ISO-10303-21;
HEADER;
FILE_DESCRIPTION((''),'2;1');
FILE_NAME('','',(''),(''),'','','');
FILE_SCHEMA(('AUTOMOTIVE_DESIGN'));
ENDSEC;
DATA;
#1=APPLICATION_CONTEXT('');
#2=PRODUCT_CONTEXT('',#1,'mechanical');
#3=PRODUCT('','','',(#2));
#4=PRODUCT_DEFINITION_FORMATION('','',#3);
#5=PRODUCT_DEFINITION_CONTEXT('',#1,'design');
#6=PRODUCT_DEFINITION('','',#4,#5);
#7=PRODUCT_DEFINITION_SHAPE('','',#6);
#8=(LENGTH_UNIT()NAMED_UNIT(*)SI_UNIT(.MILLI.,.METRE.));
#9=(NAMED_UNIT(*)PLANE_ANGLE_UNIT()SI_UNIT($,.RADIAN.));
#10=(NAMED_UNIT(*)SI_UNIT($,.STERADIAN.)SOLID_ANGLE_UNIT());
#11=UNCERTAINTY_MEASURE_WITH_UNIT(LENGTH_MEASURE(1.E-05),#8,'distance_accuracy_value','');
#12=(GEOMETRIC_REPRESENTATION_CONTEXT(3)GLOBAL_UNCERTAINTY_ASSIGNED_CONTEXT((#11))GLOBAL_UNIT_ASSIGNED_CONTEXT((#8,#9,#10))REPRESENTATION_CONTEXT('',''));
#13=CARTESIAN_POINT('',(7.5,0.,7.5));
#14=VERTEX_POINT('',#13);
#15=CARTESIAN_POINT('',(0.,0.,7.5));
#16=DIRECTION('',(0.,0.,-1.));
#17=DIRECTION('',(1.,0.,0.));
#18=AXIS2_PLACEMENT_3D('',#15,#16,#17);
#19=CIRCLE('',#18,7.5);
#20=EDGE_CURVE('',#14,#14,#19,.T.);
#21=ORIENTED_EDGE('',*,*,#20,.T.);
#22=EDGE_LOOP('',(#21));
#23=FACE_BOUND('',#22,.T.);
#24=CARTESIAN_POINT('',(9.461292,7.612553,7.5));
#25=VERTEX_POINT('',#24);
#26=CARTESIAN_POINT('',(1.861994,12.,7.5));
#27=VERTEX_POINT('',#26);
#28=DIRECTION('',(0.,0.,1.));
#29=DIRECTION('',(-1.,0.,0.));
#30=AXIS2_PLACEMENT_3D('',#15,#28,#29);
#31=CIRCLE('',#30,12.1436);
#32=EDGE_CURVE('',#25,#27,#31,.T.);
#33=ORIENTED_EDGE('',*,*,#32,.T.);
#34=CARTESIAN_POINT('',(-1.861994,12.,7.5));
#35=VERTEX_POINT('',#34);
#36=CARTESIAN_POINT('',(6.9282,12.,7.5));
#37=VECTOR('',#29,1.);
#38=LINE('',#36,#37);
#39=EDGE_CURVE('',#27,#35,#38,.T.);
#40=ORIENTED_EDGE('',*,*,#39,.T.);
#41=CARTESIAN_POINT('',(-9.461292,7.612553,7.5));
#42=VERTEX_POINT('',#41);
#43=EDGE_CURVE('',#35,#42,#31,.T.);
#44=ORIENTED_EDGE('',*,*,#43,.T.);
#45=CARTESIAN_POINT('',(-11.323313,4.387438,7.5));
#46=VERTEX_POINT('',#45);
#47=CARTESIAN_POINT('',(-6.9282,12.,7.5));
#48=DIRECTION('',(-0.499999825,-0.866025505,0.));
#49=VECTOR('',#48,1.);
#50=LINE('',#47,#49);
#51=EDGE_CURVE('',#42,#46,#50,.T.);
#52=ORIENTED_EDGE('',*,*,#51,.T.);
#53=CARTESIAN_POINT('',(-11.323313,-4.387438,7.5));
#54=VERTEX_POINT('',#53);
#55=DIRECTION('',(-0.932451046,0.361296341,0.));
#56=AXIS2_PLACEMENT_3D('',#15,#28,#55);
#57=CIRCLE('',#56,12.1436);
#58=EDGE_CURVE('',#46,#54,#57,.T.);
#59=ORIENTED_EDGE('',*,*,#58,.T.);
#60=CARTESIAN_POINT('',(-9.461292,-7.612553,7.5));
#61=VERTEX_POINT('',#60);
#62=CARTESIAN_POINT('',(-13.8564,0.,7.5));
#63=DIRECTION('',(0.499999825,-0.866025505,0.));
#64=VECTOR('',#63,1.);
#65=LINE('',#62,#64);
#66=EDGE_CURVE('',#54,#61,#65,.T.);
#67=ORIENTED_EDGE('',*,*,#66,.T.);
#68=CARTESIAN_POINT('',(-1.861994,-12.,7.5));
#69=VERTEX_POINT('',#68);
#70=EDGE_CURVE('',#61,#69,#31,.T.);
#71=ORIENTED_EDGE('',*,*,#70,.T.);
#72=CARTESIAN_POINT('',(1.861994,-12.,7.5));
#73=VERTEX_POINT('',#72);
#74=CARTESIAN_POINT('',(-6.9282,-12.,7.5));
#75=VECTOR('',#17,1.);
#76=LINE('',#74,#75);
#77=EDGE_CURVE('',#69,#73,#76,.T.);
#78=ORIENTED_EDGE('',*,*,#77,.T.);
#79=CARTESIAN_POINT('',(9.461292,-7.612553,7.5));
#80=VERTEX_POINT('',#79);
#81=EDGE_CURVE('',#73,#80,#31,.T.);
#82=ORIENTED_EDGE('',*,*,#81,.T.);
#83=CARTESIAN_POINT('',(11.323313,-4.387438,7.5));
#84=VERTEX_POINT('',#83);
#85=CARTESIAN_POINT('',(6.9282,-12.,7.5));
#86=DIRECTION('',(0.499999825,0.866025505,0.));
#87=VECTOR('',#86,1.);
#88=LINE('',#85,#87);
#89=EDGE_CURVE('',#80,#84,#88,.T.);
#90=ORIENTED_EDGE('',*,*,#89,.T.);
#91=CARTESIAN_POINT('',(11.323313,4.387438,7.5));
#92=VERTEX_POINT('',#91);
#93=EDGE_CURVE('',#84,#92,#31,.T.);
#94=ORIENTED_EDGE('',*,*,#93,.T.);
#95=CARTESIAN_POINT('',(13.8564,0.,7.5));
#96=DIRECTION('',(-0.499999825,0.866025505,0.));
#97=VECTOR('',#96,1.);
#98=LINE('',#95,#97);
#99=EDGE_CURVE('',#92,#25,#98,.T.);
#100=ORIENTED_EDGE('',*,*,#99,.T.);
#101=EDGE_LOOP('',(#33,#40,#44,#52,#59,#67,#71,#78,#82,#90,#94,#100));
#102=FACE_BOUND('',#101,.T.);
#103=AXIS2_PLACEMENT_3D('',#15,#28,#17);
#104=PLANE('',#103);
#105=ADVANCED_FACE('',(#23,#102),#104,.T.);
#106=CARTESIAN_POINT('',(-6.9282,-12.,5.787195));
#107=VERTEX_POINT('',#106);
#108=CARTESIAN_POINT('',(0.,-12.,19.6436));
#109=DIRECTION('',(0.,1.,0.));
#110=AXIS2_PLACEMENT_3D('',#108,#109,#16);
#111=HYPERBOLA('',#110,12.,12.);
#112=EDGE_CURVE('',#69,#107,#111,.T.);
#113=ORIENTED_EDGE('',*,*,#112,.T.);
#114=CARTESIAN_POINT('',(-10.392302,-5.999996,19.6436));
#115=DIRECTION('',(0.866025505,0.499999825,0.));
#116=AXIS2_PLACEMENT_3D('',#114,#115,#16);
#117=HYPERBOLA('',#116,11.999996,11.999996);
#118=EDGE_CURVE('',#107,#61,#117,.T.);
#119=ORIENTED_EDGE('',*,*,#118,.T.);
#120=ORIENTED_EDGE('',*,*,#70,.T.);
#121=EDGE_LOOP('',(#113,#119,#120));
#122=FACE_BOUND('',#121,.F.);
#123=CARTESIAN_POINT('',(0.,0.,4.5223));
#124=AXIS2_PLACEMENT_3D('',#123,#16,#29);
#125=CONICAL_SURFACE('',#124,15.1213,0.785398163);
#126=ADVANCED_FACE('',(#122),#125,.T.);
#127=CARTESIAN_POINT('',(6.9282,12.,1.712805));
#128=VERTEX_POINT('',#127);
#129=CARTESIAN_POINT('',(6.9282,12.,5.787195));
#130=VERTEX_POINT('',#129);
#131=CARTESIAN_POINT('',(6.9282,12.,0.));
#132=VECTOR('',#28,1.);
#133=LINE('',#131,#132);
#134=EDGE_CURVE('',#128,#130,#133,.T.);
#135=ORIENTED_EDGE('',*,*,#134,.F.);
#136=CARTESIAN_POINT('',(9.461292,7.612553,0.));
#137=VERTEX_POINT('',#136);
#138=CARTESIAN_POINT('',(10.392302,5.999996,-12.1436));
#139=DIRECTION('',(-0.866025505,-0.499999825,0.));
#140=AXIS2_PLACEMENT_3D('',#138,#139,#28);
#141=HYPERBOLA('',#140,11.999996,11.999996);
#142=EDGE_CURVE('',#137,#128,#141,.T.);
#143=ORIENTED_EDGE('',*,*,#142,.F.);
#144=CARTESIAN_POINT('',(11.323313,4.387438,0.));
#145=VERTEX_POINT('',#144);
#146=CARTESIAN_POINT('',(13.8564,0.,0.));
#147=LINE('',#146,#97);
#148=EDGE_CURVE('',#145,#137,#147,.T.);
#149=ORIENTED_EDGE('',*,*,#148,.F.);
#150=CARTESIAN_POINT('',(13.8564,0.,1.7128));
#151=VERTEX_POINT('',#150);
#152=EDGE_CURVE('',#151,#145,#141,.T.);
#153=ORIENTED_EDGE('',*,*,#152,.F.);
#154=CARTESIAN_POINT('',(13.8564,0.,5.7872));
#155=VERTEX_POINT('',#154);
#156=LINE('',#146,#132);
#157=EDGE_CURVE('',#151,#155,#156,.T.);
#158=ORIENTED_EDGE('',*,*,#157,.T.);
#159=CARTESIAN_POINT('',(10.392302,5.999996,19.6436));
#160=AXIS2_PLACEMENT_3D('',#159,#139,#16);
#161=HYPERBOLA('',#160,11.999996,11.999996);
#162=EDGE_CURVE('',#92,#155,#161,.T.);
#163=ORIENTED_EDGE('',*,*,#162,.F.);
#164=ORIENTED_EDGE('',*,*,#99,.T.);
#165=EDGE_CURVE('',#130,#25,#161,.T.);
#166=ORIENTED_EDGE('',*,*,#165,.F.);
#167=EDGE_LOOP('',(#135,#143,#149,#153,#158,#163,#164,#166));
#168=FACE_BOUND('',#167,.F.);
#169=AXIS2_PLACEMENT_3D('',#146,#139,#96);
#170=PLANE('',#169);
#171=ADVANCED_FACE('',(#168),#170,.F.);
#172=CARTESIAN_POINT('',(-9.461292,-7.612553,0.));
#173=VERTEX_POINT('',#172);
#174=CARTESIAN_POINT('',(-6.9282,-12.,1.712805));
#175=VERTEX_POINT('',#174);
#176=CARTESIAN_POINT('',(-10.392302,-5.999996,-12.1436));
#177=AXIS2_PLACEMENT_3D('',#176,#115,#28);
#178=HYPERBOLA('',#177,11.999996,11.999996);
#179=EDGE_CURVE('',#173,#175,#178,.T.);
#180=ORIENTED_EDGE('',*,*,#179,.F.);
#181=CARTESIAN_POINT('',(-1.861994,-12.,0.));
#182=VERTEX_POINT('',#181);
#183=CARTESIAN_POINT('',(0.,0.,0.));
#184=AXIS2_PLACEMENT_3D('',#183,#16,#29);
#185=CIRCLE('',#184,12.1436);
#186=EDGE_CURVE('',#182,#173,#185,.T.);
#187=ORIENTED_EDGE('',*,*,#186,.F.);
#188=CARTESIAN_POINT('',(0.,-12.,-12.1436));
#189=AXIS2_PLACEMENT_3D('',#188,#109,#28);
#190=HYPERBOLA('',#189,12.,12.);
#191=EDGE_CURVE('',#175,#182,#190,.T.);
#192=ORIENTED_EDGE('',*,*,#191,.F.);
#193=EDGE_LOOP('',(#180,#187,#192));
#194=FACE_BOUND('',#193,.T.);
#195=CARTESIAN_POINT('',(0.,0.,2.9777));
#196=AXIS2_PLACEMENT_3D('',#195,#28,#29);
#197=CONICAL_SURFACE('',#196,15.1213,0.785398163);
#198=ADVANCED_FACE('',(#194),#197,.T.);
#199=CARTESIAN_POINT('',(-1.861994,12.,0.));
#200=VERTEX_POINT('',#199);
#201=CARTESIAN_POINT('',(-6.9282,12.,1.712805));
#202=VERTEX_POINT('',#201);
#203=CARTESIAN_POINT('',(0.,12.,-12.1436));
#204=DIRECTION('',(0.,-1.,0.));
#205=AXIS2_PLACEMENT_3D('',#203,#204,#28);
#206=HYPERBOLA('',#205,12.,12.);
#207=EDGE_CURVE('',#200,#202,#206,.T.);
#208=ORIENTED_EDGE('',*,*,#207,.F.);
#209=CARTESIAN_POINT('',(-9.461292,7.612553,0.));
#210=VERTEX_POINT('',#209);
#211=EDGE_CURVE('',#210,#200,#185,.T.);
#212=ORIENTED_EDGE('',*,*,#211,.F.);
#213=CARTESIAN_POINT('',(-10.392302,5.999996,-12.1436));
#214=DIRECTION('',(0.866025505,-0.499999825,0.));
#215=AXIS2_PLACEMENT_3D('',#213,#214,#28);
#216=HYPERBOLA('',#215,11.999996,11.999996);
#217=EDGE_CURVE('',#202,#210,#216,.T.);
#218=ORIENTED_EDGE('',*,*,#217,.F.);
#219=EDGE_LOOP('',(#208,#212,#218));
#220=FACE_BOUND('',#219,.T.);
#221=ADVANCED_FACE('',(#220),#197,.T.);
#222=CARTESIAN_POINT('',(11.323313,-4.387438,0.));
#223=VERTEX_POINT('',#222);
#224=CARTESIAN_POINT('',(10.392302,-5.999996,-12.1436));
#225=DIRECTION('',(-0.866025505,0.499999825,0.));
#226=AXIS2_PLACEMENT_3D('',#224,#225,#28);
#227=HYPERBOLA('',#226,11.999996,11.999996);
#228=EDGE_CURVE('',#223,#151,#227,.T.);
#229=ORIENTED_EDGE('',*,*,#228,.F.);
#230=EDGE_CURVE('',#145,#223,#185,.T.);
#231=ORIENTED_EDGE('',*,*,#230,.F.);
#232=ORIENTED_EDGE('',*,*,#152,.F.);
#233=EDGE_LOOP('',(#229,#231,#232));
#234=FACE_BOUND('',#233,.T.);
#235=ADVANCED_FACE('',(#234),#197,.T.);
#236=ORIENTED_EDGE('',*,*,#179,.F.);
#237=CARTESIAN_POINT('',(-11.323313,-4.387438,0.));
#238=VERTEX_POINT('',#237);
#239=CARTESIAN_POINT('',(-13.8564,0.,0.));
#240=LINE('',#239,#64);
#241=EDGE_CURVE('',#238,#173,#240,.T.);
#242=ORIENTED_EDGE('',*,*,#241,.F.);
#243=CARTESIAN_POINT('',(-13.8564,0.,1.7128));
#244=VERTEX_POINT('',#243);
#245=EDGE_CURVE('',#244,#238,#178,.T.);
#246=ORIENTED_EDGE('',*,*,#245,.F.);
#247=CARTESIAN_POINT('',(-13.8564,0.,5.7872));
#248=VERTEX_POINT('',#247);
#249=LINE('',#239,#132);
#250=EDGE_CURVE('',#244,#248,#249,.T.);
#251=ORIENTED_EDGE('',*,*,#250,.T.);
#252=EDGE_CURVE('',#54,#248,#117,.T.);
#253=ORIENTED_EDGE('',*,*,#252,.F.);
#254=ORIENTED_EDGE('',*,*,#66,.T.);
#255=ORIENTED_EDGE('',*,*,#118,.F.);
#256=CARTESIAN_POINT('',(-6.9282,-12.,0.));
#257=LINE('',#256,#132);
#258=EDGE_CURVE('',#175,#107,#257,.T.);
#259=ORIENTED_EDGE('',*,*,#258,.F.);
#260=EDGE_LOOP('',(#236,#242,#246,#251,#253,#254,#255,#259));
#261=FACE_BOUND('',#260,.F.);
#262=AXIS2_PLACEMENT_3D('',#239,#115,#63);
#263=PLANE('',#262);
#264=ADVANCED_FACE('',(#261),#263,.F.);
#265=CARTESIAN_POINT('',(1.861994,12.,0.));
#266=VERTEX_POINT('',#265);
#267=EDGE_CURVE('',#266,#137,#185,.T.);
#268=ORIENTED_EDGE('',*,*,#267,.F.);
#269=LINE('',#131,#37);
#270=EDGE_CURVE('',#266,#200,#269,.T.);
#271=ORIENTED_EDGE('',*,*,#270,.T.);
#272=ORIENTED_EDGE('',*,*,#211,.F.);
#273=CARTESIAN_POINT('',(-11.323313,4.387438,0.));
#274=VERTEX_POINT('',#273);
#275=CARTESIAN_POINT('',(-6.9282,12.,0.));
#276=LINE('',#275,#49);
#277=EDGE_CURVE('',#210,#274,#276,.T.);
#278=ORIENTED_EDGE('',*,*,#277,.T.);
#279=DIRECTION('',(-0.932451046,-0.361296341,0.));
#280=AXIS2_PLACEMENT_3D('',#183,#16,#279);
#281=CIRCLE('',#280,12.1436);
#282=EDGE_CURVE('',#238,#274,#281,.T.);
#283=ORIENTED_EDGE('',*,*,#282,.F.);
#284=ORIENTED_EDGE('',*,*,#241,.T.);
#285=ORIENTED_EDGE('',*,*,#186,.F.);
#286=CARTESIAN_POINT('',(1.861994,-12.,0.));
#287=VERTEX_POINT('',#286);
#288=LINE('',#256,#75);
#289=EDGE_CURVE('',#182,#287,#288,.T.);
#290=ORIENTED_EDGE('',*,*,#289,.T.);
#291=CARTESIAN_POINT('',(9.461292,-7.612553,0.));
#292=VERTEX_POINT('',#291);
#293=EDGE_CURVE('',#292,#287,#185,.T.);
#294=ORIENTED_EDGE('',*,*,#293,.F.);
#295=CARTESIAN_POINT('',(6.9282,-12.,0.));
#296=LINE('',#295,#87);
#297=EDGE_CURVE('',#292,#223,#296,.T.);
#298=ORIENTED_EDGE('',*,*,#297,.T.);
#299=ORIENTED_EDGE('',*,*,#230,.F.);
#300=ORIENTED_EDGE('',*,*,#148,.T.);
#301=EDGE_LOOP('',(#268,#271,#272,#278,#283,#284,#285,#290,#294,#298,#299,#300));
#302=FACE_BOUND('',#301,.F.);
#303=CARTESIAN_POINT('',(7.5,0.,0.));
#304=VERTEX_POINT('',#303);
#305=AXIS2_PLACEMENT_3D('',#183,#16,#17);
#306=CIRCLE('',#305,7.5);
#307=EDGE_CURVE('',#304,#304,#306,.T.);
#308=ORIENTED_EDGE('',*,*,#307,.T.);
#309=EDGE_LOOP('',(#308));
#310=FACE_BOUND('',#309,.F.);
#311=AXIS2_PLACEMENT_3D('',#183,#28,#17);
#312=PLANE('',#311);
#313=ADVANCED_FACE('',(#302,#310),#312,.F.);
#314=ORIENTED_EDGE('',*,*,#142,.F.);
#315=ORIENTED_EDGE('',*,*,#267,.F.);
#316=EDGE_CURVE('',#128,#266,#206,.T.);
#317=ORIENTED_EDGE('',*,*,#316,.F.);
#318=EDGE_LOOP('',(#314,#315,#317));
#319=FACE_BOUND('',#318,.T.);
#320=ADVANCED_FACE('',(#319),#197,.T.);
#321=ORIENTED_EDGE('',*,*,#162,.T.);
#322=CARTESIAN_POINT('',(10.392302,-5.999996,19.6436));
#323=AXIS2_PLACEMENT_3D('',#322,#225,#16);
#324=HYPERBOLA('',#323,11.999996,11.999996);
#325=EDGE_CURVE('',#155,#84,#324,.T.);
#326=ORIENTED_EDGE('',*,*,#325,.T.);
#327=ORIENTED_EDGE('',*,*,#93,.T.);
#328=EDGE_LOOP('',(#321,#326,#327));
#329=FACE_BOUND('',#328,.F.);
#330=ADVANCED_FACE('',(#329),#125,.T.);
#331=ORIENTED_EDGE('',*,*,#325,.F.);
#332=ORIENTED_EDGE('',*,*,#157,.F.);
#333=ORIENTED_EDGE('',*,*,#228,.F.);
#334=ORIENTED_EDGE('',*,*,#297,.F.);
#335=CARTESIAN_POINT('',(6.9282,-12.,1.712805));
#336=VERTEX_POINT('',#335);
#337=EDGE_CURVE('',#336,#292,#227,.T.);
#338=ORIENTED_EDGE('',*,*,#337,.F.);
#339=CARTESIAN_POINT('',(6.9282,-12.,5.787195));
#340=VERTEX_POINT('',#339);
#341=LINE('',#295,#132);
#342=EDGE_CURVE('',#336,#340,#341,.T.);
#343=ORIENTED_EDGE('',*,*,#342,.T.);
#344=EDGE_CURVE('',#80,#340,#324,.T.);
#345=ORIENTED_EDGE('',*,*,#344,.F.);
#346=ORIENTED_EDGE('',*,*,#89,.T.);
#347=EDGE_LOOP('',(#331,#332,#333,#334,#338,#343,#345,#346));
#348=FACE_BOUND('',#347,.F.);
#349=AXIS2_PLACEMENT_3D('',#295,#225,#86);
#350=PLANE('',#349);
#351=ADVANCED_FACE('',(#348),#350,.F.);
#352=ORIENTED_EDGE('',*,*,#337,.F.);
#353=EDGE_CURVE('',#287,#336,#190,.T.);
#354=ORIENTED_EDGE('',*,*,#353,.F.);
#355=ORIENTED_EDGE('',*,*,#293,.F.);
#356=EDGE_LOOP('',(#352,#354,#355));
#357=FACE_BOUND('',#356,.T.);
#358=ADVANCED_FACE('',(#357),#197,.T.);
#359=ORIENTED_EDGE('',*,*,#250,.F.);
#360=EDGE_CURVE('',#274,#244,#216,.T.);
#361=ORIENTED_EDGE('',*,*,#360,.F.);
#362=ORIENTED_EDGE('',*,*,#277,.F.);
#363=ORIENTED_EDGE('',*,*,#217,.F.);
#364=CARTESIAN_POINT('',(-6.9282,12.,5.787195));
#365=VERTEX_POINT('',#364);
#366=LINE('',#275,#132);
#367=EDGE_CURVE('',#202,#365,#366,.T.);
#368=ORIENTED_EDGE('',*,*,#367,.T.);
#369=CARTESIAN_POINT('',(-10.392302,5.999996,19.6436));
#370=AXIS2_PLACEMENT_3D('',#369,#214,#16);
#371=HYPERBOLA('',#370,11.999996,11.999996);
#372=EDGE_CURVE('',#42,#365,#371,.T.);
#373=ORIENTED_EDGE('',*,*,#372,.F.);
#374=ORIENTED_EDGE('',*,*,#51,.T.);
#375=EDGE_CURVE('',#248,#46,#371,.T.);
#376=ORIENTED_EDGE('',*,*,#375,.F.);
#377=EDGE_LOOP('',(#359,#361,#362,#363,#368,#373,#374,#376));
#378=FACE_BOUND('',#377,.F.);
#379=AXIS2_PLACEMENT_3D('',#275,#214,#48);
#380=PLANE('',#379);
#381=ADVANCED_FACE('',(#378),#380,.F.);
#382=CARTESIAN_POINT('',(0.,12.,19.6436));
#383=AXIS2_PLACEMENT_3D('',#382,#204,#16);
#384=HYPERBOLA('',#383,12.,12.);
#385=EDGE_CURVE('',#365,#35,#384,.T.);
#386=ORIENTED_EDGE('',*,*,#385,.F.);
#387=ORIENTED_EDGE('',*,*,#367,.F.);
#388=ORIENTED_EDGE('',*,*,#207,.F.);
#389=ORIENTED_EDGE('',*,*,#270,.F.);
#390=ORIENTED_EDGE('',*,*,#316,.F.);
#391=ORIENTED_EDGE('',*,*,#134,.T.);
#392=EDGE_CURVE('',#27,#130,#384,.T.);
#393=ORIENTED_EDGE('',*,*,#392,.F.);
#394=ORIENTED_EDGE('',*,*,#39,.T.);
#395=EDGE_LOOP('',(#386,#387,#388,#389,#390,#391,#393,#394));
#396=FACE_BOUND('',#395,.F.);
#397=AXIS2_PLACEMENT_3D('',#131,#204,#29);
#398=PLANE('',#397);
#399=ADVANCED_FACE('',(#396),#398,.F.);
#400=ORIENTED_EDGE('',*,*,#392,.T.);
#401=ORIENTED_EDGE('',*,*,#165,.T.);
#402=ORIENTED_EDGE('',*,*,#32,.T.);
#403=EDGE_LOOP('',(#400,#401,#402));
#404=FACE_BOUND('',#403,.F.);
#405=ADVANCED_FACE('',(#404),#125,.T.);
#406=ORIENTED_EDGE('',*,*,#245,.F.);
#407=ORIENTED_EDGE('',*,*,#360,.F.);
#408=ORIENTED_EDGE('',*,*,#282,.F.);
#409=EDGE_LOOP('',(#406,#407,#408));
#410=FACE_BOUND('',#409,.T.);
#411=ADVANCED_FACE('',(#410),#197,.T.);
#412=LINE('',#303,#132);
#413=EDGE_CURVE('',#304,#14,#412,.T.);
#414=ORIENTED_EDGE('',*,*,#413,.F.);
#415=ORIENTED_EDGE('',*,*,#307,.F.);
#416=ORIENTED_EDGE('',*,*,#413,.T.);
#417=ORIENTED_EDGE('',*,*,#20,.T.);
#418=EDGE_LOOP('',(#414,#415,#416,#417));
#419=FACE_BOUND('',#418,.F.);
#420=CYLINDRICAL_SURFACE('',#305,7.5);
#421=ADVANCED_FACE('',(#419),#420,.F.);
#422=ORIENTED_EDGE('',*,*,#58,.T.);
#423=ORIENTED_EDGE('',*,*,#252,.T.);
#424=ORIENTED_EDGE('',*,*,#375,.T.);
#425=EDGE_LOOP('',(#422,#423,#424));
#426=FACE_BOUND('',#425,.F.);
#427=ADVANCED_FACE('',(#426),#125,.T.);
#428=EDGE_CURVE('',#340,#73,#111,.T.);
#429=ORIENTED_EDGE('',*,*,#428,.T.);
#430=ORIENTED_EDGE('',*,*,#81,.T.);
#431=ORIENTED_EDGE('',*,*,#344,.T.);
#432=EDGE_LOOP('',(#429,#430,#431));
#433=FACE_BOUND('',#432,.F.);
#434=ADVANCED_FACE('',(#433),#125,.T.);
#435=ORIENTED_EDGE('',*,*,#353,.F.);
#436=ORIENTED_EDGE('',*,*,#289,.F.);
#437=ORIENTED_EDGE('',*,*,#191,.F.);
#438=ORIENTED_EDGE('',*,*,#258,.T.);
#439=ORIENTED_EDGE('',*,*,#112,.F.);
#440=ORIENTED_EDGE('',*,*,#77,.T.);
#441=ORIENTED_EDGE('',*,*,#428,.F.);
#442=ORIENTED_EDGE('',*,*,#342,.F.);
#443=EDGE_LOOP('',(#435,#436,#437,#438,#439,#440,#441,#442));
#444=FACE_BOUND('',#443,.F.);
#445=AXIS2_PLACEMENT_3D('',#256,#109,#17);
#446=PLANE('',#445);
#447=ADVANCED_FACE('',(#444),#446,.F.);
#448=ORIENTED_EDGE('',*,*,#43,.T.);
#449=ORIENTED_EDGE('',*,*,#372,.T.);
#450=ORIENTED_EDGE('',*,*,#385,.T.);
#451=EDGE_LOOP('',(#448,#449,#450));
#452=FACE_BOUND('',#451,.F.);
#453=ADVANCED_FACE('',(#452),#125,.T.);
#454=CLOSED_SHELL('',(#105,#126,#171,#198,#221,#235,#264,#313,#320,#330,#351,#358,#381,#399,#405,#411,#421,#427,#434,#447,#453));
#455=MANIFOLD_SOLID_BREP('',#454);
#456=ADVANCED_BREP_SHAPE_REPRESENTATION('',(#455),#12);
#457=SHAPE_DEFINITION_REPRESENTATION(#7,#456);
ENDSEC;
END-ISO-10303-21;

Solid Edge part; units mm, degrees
sketch "Sketch1" plane through (0, 0, 0) normal (0, 0, 1) x (1, 0, 0)
  line L0 (-6.9282, -12) -> (6.9282, -12)
  line L1 (6.9282, -12) -> (13.8564, 0)
  line L2 (13.8564, 0) -> (6.9282, 12)
  line L3 (6.9282, 12) -> (-6.9282, 12)
  line L4 (-6.9282, 12) -> (-13.8564, 0)
  line L5 (-13.8564, 0) -> (-6.9282, -12)
  dimension "D1" = 13.8564
extrude "Protrusion1" add sketch "Sketch1" along normal blind 7.5
sketch "Sketch2" plane through (0, 0, 0) normal (0, -1, 0) x (1, 0, 0)
  line L0 (-15.1213, 4.5223) -> (-10.8787, 8.7649)
  line L1 (-10.8787, 8.7649) -> (-19.9377, 8.7649)
  line L2 (-19.9377, 8.7649) -> (-19.9377, -1.2649)
  line L3 (-19.9377, -1.2649) -> (-10.8787, -1.2649)
  line L4 (-15.1213, 2.9777) -> (-10.8787, -1.2649)
  line L5 (-15.1213, 2.9777) -> (-15.1213, 4.5223)
revolve "RevolvedCutout1" cut sketch "Sketch2" angle 360 about axis through (0, 0, 57.15) along (0, 0, -1)
sketch "Sketch3" plane through (0, 0, 0) normal (0, 0, -1) x (1, 0, 0)
  circle A0 centre (0, 0) radius 7.5
extrude "Cutout1" cut sketch "Sketch3" against normal through all
properties part number "NutM15" material "Brass, yellow brass"
